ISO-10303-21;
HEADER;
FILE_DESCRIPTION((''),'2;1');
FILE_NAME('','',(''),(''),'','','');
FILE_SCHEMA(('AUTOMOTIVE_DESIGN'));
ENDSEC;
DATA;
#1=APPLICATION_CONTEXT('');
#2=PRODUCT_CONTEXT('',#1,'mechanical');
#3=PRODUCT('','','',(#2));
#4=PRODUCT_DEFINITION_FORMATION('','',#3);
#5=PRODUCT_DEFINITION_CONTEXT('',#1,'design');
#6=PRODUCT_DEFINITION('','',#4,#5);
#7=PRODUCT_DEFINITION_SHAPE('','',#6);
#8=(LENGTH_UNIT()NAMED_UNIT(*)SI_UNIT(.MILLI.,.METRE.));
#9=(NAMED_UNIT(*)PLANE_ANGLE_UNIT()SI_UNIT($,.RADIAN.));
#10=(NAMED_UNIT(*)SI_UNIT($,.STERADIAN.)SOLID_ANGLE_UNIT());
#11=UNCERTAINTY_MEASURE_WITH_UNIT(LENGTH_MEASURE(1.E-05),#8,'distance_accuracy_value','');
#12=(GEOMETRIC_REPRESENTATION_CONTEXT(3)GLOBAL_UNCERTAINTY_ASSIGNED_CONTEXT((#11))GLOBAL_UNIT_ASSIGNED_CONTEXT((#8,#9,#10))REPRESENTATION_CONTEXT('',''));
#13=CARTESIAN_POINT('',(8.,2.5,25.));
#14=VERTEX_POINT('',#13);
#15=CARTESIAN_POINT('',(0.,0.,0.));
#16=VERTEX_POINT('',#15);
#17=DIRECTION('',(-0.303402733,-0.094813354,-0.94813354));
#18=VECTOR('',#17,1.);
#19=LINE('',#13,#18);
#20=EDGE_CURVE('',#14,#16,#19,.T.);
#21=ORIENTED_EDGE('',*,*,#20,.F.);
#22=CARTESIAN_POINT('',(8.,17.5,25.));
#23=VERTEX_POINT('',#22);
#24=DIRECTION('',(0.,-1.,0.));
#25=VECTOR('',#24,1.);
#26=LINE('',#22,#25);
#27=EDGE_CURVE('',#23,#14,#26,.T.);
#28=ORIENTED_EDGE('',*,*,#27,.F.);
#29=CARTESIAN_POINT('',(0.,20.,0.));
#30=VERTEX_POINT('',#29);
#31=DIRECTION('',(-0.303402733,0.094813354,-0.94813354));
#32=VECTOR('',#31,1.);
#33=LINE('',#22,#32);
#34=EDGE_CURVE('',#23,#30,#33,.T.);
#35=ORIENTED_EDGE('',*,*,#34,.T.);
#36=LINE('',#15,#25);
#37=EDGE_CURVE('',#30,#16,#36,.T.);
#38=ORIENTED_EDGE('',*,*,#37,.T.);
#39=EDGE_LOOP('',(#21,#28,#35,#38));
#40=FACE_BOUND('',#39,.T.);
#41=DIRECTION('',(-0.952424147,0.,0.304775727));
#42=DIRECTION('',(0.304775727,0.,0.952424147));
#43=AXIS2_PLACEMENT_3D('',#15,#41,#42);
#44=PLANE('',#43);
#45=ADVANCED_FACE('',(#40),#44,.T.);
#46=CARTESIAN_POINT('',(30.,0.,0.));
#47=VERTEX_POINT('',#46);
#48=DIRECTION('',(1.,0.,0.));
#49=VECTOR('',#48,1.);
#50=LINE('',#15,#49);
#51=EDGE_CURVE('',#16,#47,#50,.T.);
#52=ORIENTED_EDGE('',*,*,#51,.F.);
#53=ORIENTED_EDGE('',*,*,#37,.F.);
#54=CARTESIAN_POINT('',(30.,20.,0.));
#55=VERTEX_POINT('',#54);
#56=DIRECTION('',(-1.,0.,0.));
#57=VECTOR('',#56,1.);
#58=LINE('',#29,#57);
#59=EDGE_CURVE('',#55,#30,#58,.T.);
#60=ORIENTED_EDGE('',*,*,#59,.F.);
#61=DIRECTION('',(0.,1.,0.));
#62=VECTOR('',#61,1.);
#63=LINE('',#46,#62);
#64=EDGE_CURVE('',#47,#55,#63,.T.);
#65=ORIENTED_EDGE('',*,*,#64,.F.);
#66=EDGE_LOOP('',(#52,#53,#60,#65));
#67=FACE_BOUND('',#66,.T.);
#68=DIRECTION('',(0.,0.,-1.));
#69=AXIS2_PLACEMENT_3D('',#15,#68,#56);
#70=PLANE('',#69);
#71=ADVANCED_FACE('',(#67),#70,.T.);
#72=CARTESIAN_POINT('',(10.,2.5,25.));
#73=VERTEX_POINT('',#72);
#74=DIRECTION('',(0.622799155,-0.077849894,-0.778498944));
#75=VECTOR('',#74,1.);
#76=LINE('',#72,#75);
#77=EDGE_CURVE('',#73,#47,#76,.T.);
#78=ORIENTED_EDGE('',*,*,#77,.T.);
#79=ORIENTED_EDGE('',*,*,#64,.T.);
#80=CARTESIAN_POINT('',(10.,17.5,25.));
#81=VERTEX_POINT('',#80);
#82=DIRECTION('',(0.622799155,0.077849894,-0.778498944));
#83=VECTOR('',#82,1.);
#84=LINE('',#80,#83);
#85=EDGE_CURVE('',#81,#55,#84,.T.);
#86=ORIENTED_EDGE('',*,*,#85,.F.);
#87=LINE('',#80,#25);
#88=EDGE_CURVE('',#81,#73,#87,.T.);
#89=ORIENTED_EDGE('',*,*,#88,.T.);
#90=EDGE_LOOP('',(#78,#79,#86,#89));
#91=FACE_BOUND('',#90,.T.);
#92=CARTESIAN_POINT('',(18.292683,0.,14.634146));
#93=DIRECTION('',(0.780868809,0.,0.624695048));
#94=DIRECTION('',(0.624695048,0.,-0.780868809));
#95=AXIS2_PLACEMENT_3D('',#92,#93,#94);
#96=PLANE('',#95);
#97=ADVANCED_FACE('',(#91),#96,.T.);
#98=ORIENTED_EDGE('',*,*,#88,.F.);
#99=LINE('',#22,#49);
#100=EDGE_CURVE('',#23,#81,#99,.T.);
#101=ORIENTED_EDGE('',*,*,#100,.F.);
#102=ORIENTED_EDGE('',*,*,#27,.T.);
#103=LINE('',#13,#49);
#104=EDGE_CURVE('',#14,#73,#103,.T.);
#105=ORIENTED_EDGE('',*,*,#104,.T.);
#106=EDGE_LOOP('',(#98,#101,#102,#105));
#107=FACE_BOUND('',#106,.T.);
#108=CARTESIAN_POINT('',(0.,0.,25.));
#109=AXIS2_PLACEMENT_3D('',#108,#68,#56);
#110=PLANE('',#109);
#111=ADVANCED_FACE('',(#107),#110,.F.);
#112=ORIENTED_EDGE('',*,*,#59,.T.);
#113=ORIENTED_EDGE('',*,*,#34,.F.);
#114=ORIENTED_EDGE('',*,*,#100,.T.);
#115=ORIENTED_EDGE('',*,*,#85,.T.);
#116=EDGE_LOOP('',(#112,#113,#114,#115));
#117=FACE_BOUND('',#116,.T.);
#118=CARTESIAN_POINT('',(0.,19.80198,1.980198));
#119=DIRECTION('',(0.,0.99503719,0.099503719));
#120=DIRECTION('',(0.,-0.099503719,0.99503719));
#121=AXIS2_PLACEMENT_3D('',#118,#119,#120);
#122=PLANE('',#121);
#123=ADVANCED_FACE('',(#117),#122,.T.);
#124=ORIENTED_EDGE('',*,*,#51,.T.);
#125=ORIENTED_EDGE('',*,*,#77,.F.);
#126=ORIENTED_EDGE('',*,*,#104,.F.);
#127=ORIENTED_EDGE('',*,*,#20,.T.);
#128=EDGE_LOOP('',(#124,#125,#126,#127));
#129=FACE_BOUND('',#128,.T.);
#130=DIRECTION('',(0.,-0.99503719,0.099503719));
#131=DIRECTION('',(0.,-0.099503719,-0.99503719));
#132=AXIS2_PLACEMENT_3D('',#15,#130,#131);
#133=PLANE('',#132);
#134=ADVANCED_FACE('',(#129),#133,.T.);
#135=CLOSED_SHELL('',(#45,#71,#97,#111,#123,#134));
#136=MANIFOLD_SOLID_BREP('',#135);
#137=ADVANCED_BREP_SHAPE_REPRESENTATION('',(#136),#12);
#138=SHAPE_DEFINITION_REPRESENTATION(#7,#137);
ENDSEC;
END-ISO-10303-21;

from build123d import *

# Parameters (mm, degrees)
SKETCH2_W = 2
SKETCH2_H = 15
SKETCH1_W = 30
SKETCH1_H = 20


with BuildPart() as part:
    # Sketch2 → Loft2 section 0
    with BuildSketch(Plane.XY.offset(25)):
        with Locations((9, 10)):
            Rectangle(SKETCH2_W, SKETCH2_H)
    # Sketch1 → Loft2 section 1
    with BuildSketch(Plane.XY):
        with Locations((15, 10)):
            Rectangle(SKETCH1_W, SKETCH1_H)
    loft()


solid = part.part
